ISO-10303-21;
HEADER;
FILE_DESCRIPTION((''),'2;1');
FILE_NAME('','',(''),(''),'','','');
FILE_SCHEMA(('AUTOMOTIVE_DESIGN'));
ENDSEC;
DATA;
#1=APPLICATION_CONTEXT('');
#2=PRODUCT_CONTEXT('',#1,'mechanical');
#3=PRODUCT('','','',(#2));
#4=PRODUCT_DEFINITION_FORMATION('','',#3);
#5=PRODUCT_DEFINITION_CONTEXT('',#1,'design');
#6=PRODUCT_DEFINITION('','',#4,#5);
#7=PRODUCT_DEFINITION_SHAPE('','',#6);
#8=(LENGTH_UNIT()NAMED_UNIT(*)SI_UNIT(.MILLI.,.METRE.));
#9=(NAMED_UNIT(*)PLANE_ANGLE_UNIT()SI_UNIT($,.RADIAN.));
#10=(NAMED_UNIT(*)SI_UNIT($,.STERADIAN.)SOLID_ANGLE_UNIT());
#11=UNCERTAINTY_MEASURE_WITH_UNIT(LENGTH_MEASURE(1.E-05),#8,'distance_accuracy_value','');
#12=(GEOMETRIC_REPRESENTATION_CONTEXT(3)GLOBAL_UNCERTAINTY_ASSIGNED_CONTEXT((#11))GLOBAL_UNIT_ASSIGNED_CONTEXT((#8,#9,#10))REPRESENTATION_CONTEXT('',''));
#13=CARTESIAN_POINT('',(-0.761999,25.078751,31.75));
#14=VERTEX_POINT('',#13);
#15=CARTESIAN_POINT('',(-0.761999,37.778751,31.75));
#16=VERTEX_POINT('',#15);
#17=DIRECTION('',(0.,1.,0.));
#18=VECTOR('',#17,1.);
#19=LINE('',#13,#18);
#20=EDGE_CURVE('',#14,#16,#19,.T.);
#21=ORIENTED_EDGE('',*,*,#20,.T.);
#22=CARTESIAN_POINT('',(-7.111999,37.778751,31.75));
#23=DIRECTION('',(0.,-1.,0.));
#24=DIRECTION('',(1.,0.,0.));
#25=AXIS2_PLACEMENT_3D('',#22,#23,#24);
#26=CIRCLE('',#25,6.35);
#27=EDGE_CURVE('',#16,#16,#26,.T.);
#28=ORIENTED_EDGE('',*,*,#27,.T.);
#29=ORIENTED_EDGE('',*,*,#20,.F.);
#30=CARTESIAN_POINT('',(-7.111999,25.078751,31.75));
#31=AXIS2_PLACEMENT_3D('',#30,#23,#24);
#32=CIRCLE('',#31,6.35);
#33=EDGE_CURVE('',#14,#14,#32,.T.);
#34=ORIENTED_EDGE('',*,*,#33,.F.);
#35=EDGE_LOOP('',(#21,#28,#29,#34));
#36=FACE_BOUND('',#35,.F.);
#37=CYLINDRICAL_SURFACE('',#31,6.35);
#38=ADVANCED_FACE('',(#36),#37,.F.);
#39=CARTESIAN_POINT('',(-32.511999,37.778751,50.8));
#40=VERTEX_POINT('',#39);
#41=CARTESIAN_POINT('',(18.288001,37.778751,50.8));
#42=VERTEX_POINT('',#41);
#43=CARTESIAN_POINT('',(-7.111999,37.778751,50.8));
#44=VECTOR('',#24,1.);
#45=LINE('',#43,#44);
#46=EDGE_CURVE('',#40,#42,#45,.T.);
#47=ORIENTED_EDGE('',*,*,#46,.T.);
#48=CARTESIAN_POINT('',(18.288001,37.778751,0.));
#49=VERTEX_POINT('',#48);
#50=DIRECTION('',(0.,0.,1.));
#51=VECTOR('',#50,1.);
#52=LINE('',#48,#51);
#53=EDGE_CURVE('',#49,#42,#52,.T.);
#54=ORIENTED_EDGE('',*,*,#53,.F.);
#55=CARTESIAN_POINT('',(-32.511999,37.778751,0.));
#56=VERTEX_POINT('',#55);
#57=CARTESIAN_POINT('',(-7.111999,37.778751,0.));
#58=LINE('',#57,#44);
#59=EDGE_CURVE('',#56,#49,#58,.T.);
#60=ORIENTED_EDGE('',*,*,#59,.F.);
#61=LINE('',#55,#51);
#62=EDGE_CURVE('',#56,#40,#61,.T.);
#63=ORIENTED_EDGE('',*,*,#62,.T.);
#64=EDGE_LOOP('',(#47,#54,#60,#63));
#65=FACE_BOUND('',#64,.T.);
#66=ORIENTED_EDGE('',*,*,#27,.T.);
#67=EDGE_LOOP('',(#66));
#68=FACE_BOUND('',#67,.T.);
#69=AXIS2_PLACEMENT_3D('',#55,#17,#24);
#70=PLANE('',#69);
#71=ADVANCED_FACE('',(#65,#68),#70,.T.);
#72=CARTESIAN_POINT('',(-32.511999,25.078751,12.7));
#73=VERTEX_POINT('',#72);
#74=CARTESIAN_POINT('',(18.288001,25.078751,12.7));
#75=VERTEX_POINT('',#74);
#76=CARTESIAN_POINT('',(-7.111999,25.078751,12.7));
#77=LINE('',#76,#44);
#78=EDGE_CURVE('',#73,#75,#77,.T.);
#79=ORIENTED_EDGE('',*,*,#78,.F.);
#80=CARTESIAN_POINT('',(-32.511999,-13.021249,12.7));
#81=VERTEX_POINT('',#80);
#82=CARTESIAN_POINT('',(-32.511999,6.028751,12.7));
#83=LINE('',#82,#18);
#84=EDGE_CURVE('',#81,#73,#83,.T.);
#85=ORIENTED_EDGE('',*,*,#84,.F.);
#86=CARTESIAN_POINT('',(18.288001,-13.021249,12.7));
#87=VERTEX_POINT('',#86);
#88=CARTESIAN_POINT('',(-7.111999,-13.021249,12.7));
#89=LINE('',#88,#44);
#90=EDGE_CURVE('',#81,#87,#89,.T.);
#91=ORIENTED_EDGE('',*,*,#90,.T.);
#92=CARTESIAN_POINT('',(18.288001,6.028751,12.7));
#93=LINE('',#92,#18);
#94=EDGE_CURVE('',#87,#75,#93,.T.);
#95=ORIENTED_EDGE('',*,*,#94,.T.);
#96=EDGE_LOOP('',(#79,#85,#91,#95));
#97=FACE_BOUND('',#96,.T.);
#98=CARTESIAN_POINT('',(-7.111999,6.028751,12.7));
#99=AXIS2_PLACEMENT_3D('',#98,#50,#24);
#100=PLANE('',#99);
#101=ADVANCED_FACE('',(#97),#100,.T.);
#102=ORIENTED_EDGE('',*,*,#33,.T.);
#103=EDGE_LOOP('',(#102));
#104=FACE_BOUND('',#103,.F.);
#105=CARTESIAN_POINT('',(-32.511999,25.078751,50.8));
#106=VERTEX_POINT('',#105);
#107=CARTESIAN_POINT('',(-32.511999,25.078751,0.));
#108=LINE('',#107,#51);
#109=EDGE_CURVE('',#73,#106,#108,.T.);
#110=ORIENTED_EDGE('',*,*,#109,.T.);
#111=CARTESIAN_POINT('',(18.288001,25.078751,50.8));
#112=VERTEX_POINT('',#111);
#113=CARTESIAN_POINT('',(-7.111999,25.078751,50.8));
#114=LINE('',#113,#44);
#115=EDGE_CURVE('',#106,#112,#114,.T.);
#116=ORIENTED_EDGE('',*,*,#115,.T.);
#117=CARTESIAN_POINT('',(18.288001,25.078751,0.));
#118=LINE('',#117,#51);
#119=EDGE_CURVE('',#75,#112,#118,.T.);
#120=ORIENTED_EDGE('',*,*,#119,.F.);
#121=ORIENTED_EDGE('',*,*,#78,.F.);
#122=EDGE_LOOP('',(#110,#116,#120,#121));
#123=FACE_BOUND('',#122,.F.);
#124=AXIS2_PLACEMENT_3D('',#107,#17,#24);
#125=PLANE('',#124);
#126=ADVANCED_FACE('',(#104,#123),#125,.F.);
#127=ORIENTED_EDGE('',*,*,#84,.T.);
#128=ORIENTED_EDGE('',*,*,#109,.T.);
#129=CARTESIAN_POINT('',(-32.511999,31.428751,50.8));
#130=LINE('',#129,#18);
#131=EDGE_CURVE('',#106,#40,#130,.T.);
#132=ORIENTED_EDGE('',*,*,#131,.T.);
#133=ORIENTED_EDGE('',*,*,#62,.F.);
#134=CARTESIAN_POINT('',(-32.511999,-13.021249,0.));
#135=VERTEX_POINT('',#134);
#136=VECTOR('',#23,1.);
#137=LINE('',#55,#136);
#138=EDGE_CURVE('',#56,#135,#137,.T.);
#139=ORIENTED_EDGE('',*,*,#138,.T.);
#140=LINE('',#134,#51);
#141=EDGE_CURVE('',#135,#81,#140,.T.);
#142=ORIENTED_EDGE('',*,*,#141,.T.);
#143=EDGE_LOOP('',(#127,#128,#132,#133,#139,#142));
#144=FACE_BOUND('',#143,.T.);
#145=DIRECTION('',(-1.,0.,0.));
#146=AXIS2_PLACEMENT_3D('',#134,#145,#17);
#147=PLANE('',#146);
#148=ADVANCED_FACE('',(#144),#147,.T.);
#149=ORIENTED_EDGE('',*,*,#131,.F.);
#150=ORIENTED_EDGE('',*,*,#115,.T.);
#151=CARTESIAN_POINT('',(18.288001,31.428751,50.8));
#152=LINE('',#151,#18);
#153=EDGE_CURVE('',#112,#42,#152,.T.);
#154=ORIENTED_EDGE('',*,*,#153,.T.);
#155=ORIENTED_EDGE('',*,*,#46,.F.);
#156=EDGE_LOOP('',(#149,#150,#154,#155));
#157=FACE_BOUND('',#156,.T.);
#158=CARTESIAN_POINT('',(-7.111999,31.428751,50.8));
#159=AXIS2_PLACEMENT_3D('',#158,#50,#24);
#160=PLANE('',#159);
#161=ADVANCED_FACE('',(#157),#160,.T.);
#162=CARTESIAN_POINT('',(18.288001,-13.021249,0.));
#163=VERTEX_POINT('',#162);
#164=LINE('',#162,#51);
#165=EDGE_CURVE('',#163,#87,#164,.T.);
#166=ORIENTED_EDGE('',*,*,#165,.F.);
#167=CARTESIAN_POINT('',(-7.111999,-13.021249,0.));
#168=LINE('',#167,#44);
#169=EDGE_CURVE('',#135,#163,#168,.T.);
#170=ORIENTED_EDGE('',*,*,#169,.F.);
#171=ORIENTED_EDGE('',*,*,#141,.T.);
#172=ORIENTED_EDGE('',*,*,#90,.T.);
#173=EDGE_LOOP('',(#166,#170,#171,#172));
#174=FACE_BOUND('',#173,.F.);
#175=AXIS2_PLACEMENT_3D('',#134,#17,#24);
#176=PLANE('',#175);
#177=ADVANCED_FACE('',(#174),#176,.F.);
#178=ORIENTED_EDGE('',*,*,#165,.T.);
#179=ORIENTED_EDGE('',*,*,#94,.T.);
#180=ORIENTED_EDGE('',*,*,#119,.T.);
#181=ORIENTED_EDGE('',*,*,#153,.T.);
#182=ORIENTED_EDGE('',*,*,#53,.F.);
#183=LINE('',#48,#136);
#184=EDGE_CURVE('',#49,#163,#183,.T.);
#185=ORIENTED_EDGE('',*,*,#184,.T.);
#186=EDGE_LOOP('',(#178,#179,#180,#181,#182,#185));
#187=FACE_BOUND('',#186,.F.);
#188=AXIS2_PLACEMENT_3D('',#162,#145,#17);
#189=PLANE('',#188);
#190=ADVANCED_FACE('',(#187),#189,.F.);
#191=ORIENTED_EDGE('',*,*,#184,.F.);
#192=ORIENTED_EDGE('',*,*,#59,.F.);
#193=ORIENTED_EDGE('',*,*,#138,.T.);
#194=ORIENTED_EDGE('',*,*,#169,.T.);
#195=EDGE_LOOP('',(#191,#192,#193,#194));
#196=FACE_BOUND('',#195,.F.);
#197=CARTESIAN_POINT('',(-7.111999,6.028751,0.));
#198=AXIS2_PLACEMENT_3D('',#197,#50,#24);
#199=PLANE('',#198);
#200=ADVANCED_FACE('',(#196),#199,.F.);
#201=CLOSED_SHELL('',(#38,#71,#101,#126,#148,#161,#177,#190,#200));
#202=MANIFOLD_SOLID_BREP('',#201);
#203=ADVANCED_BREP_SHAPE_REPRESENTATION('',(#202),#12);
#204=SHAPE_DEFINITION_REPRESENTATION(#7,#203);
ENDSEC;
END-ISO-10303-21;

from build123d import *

# Parameters (mm, degrees)
F0_W     = 50.8
F0_H     = 12.7
F1_DEPTH = 50.8
F0_H_2   = 38.1
F2_DEPTH = 12.7
F3_R     = 6.35
F4_DEPTH = 12.7


with BuildPart() as f1:
    # F0 (on Top) → F1 (new body)
    with BuildSketch(Plane.XY):
        with Locations((-7.111999, 31.428751)):
            Rectangle(F0_W, F0_H)
    extrude(amount=F1_DEPTH)

    # F0 (on Top) → F2 (join)
    with BuildSketch(Plane.XY):
        with Locations((-7.111999, 6.028751)):
            Rectangle(F0_W, F0_H_2)
    extrude(amount=F2_DEPTH)

    # F3 (on face) → F4 (cut)
    with BuildSketch(Plane.XZ.offset(-25.078751)):
        with Locations((-7.111999, 31.75)):
            Circle(F3_R)
    extrude(amount=-F4_DEPTH, mode=Mode.SUBTRACT)


solid = f1.part
